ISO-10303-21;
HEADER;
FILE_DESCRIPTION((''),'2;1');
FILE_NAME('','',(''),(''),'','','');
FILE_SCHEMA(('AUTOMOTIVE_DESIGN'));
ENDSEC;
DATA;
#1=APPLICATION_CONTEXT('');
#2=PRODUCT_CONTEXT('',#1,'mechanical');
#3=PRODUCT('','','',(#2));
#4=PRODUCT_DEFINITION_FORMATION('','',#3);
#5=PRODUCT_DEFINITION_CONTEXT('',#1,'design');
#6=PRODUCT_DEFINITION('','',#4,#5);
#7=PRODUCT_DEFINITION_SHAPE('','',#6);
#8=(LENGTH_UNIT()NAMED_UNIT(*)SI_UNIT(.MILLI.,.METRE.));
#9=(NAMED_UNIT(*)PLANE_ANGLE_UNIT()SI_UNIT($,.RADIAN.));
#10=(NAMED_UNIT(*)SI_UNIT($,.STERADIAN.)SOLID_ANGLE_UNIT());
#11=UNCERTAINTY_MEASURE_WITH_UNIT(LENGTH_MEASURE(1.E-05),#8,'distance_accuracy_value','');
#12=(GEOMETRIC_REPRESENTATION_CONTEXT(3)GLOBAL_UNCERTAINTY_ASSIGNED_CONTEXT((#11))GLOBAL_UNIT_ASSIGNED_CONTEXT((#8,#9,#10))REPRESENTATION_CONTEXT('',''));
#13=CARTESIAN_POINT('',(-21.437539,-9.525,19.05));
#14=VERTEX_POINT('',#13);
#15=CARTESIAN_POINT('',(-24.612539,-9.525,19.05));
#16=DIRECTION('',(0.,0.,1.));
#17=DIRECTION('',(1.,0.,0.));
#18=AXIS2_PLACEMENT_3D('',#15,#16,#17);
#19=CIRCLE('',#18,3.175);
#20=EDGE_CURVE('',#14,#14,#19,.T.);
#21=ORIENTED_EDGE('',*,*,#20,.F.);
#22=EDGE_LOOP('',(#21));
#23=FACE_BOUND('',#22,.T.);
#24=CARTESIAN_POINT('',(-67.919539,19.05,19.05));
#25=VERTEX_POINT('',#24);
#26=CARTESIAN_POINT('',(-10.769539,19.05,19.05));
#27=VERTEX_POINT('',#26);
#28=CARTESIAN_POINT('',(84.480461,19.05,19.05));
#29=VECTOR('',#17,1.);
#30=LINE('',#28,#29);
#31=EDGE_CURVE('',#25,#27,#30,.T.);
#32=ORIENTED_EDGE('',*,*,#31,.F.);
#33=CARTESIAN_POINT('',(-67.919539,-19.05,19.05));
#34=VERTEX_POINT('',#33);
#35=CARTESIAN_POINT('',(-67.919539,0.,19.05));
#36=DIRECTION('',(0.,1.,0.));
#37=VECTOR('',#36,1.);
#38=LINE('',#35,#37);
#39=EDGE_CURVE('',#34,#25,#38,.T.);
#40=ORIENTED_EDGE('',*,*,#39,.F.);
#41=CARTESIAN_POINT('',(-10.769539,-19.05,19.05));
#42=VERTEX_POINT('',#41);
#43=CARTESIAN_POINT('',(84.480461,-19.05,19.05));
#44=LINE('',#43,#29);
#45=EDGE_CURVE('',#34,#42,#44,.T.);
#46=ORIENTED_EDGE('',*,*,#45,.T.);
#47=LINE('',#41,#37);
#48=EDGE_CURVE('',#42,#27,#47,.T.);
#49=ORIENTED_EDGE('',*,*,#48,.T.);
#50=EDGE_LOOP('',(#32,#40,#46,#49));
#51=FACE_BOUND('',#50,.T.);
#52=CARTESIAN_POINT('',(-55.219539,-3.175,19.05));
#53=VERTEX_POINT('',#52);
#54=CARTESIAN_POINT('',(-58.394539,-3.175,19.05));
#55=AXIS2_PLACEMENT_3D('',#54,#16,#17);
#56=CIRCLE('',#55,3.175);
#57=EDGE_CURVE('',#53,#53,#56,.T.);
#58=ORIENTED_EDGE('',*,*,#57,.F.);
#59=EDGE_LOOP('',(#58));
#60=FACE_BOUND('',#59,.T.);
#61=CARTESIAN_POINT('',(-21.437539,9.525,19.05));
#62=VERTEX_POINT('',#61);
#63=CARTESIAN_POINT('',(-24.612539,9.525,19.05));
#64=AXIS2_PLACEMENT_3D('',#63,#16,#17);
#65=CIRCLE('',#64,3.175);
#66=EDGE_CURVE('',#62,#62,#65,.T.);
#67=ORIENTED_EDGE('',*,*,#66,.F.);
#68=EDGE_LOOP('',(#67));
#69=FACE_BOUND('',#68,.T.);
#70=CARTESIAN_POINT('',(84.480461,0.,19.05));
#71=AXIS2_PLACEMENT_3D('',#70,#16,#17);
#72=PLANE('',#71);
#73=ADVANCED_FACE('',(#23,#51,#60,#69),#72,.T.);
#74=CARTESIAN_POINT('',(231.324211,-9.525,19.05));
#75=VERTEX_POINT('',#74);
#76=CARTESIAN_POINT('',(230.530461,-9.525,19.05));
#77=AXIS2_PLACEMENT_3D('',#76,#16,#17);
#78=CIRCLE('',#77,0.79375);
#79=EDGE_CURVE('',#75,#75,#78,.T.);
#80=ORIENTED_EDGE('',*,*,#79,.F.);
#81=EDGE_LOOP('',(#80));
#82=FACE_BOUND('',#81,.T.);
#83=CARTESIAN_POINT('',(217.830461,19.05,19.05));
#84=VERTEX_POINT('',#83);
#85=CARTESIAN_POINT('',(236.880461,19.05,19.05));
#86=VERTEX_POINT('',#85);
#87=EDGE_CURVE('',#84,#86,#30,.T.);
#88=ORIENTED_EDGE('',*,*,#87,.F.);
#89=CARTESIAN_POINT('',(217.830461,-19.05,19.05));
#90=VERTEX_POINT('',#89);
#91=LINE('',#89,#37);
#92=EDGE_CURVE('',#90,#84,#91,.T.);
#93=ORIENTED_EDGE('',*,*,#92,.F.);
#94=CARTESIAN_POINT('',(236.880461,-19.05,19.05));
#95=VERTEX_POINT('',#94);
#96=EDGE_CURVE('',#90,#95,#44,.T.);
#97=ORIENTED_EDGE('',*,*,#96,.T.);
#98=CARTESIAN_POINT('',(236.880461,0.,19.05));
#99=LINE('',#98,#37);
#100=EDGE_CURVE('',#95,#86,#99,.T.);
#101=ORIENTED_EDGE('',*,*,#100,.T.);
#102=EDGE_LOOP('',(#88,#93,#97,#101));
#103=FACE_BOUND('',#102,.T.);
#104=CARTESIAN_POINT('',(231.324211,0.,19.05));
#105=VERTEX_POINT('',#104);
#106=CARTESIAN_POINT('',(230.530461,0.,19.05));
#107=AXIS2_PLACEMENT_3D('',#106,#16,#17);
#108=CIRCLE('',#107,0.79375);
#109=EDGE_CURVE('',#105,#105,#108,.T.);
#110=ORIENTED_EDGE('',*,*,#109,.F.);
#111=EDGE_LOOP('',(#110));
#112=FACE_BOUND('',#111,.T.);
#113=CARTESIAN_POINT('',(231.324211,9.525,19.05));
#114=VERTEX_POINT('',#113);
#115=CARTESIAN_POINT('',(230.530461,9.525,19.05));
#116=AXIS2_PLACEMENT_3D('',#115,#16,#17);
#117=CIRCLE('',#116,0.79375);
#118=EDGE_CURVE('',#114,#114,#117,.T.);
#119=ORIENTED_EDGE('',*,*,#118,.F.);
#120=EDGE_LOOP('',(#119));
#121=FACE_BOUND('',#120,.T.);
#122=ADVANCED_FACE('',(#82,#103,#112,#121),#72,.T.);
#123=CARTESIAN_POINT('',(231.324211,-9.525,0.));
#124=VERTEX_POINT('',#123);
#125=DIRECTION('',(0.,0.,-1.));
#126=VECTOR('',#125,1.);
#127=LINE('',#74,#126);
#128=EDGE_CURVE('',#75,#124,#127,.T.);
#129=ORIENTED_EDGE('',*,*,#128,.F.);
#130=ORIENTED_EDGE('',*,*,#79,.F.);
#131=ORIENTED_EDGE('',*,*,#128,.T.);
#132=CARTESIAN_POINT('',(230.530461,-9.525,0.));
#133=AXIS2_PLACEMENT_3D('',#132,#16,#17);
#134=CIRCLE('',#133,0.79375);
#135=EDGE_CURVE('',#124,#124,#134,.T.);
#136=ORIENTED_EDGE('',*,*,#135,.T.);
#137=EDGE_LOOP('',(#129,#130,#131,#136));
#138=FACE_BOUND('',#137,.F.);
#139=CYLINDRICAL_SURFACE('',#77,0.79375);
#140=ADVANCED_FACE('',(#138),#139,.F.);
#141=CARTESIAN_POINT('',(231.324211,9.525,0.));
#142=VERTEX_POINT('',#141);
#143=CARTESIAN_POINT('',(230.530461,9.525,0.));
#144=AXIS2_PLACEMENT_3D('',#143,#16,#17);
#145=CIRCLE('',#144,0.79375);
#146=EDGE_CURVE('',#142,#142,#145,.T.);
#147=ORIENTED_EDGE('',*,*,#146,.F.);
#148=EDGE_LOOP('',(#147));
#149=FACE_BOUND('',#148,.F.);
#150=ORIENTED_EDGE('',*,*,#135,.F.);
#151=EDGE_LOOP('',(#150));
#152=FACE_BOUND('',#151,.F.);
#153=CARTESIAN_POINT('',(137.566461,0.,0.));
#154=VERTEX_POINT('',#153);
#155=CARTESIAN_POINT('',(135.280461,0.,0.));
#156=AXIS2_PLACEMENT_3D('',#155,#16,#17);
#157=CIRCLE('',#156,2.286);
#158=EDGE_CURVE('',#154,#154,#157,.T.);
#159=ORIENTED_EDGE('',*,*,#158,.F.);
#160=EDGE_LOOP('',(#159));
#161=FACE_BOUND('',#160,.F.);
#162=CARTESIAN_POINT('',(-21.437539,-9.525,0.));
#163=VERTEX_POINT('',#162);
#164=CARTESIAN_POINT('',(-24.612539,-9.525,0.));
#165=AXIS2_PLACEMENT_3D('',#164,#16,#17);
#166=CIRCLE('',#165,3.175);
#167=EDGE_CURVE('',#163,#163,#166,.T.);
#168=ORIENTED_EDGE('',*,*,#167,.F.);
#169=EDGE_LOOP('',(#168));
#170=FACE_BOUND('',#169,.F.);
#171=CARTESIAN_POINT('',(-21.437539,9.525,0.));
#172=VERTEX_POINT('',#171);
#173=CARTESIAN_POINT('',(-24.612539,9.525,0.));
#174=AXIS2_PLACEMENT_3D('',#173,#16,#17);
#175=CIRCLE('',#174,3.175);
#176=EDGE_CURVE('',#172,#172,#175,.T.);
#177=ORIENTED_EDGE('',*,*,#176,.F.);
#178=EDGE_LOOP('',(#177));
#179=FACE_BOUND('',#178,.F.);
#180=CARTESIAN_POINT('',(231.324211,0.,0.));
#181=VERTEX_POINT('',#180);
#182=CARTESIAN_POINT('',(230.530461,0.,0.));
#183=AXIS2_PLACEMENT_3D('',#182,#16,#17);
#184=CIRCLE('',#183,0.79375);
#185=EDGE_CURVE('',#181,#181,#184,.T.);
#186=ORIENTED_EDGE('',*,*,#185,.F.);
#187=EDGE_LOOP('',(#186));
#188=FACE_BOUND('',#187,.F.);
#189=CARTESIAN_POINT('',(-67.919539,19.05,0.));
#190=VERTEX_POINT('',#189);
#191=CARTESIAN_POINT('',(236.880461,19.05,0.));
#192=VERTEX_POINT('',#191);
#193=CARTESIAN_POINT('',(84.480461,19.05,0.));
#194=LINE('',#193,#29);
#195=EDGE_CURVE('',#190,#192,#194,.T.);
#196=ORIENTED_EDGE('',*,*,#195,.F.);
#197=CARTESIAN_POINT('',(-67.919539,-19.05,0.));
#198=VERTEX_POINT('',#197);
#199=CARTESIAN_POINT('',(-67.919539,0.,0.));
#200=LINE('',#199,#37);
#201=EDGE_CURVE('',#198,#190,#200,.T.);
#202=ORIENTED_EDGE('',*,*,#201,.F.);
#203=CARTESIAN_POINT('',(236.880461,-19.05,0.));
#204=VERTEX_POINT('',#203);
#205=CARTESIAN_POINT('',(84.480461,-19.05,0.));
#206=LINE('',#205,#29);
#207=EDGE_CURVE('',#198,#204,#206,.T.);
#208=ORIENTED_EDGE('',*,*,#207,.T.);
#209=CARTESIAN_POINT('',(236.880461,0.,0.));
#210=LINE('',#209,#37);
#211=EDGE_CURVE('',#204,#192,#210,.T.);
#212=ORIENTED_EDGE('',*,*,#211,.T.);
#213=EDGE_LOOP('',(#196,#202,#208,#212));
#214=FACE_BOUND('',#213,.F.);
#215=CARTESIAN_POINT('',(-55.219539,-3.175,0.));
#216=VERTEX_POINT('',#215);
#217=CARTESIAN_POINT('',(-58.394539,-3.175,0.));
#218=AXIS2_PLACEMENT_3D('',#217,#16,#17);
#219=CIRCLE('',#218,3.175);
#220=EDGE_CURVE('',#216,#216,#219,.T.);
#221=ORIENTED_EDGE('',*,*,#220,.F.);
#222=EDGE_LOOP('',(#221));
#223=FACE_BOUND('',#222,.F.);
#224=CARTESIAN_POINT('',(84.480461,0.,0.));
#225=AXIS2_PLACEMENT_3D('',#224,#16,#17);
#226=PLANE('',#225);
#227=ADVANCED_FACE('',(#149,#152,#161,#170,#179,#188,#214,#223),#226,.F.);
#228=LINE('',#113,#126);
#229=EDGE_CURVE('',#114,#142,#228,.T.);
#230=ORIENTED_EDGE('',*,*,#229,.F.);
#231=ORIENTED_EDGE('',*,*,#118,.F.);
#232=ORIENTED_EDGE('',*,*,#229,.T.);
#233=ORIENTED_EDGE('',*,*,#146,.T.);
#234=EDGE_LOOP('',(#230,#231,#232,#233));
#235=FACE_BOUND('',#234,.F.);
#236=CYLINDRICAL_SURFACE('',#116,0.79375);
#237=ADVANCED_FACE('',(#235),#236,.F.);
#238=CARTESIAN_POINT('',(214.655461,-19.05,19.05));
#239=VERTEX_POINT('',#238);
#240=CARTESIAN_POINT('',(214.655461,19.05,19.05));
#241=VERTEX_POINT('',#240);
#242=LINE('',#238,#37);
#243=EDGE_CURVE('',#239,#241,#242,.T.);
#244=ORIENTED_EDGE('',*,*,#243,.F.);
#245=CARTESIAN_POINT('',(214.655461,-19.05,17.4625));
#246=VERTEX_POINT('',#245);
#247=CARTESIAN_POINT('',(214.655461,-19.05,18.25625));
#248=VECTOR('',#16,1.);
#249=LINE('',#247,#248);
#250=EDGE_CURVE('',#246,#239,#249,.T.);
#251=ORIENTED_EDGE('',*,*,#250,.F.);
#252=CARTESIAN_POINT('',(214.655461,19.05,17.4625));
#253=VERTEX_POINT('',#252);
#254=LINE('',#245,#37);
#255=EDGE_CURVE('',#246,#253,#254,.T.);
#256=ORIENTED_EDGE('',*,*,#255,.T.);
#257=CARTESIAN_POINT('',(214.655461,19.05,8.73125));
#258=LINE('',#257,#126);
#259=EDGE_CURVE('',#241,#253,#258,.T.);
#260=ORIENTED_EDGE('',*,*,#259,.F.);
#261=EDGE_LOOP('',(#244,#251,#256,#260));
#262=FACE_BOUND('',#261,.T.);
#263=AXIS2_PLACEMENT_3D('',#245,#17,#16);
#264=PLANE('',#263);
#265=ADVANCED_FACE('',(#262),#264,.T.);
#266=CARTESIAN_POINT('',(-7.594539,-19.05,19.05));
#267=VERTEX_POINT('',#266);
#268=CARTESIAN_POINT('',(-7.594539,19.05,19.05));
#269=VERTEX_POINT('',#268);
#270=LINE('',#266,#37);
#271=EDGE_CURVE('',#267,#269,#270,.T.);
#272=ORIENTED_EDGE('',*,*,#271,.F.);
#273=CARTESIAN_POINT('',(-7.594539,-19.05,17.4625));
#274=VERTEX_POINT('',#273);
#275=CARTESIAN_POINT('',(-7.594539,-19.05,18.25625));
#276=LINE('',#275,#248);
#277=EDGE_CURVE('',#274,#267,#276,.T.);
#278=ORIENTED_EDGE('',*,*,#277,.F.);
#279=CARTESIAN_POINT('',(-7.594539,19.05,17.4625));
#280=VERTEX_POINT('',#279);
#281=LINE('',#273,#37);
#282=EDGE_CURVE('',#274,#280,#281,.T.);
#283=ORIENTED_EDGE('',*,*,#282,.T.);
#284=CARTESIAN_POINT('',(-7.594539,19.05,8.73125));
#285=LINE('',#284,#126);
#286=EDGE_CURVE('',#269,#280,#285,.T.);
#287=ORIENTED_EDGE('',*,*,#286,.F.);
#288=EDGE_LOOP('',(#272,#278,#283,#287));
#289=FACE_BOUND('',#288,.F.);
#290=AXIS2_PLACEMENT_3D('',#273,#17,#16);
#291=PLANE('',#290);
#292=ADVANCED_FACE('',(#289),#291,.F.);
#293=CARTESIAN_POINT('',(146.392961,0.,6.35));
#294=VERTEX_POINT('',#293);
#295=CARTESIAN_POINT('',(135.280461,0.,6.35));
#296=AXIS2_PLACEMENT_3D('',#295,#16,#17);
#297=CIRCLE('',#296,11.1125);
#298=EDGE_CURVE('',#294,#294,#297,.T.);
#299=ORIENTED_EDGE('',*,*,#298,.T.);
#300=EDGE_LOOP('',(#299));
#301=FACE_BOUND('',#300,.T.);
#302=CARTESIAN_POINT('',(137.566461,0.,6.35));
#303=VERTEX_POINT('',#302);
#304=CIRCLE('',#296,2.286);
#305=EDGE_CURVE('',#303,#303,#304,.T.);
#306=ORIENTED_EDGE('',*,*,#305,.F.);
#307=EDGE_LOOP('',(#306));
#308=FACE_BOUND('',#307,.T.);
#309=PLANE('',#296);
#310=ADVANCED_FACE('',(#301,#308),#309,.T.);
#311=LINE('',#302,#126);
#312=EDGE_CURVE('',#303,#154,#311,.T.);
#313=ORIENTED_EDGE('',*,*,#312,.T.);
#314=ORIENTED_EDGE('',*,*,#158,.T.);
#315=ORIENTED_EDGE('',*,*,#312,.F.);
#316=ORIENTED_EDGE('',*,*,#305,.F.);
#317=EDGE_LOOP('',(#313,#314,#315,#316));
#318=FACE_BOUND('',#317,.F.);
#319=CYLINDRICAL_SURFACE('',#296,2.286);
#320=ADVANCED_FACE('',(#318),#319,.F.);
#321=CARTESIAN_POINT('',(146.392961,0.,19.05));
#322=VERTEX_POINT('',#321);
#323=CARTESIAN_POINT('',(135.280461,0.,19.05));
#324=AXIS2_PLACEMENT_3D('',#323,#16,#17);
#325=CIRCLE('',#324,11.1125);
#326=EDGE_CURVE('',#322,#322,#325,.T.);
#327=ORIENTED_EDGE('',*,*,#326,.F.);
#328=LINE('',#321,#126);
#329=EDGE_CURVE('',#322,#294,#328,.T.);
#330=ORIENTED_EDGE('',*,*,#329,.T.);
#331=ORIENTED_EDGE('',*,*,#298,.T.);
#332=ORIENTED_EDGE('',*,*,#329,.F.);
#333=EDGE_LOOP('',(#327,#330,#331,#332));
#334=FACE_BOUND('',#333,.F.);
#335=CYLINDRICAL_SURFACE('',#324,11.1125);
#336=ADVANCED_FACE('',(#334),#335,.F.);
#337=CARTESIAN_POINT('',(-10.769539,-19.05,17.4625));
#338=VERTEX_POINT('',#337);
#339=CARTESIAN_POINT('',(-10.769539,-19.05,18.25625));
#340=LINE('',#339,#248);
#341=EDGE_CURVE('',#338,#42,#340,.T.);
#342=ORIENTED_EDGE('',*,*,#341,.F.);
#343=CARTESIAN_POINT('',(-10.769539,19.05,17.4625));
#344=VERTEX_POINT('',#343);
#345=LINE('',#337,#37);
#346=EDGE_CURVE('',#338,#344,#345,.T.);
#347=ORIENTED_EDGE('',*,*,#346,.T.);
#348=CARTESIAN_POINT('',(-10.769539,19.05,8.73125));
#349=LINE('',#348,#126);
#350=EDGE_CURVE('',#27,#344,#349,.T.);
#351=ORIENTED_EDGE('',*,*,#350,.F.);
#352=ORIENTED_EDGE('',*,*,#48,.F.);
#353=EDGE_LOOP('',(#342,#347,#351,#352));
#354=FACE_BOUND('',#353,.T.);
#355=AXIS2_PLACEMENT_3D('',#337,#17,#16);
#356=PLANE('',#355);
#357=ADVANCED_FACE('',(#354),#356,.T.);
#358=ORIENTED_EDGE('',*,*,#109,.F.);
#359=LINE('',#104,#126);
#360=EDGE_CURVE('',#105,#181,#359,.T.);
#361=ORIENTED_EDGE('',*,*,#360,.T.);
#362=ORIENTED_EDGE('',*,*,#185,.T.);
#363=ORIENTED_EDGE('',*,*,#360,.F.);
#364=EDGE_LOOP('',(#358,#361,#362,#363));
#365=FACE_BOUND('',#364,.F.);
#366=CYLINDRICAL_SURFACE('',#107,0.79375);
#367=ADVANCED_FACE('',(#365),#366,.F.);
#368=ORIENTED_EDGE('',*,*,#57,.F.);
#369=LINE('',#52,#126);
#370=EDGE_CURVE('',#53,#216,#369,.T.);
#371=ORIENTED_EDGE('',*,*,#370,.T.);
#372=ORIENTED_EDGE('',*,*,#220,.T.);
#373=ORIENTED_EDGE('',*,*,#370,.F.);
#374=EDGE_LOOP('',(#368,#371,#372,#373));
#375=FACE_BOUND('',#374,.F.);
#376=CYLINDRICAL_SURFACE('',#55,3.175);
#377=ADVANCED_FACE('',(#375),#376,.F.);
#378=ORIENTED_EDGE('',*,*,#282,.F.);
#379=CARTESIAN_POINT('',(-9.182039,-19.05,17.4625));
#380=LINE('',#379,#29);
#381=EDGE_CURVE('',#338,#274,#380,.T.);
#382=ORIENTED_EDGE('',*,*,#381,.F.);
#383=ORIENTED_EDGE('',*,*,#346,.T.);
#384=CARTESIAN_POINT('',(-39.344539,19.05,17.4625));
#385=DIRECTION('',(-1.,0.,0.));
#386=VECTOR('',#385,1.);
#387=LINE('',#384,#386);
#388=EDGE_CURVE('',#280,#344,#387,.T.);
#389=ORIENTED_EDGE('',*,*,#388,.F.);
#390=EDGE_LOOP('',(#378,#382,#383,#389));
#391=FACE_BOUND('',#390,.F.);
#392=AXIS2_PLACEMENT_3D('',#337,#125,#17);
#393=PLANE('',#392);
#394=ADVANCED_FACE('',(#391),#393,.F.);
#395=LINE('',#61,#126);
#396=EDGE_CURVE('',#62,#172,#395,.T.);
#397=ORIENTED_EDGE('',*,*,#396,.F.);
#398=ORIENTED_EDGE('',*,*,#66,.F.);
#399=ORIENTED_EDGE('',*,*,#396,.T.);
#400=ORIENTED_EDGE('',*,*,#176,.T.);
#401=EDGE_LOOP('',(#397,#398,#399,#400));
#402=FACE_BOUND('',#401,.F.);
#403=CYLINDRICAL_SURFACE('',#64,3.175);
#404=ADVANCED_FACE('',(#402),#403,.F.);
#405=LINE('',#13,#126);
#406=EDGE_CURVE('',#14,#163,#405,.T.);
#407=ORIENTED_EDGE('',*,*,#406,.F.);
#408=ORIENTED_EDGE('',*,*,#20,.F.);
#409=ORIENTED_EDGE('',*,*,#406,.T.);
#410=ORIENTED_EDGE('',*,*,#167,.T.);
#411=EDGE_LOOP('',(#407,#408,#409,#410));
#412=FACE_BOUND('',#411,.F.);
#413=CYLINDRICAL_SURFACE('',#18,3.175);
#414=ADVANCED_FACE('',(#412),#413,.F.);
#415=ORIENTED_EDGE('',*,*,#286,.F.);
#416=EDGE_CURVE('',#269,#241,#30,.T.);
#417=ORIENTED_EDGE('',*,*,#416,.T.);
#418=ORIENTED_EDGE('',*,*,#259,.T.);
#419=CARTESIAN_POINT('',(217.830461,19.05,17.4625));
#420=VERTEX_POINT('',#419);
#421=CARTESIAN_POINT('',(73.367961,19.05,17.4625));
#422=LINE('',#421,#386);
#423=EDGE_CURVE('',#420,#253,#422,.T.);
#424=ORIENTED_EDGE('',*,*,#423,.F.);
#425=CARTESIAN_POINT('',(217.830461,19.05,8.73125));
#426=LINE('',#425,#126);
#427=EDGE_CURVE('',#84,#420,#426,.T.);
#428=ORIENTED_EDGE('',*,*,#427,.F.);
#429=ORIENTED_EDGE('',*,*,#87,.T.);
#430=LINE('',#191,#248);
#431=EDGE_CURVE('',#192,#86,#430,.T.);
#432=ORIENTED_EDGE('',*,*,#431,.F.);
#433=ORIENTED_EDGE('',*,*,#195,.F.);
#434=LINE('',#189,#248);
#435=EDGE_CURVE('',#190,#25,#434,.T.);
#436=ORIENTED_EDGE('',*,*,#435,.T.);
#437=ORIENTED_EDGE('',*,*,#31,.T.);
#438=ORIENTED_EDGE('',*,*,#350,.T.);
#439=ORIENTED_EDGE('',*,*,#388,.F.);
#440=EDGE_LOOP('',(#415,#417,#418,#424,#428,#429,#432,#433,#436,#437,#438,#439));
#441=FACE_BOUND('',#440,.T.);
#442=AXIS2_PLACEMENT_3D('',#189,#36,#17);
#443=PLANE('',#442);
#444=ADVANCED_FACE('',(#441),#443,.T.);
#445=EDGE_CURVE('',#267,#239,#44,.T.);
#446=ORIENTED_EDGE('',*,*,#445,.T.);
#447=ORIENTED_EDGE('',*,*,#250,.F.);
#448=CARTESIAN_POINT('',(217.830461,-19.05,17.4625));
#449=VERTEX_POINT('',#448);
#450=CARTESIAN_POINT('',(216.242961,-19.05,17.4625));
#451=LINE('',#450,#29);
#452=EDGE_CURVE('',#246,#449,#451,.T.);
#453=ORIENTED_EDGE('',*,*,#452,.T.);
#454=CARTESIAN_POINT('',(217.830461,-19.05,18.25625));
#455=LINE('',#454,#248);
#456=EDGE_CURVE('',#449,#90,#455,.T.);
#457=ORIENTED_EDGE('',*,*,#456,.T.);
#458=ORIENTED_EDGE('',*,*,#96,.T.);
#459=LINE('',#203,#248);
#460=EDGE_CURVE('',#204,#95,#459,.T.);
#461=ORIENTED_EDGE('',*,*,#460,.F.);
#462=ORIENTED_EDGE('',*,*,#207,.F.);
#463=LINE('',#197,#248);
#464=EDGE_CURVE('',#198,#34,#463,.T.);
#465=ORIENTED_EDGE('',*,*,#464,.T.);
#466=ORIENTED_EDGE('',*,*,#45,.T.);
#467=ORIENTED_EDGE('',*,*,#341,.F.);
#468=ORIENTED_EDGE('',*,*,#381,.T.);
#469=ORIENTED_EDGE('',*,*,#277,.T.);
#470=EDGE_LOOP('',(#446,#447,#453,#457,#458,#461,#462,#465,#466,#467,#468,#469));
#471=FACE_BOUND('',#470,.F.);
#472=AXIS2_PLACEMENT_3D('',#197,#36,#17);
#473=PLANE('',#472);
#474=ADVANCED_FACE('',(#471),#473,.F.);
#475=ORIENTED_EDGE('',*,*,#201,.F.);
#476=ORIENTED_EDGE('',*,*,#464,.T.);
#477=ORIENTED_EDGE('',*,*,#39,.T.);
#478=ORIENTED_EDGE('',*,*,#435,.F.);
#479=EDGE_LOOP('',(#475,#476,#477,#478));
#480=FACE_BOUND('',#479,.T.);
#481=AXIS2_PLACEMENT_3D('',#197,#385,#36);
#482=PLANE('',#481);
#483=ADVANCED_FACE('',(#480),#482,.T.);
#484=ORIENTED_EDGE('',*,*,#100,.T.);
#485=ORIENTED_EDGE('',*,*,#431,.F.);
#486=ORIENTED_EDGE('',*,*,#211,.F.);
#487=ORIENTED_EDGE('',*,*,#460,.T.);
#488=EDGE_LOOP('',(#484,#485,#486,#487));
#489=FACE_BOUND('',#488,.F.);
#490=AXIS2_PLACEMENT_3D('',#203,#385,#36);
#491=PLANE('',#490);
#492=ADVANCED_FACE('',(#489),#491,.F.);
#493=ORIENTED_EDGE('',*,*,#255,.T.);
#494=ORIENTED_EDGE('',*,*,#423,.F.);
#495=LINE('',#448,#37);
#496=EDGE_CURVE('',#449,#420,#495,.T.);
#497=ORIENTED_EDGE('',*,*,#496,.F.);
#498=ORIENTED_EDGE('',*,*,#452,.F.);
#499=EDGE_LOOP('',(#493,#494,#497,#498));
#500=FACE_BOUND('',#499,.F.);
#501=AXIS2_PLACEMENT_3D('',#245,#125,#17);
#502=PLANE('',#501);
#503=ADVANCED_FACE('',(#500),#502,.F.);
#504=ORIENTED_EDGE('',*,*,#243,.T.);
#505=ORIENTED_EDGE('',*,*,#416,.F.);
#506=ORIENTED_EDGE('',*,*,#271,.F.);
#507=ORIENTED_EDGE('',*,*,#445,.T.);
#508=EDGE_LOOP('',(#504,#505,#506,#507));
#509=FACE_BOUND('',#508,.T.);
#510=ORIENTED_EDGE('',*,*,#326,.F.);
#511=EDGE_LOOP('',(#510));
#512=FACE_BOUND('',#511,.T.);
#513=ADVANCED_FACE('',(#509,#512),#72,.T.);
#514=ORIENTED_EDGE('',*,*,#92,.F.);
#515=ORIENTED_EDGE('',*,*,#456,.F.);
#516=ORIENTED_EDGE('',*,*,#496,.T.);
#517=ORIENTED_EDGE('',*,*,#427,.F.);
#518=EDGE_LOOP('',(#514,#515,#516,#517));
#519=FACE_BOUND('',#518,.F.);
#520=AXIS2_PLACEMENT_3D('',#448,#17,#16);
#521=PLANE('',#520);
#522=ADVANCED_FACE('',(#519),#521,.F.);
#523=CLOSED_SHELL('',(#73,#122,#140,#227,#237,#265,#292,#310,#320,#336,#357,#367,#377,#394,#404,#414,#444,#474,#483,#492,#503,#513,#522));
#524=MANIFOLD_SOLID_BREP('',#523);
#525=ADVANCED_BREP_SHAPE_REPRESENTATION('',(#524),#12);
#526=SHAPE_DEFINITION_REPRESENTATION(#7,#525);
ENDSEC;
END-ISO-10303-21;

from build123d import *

# Parameters (mm, degrees)
F0_W      = 304.8
F0_H      = 38.1
F1_DEPTH  = 19.05
F2_R      = 11.1125
F3_DEPTH  = 12.7
F4_R      = 3.175
F5_DEPTH  = 19.051
F6_R      = 3.175
F7_DEPTH  = 19.051
F8_R      = 0.79375
F9_DEPTH  = 19.051
F10_W     = 3.175
F10_H     = 1.5875
F11_DEPTH = 38.101
F12_R     = 2.286
F13_DEPTH = 6.35


with BuildPart() as f1:
    # F0 (on Top) → F1 (new body)
    with BuildSketch(Plane.XY):
        with Locations((84.480461, 0)):
            Rectangle(F0_W, F0_H)
    extrude(amount=F1_DEPTH)

    # F2 (on face) → F3 (cut)
    with BuildSketch(Plane.XY.offset(19.05)):
        with Locations((135.280461, 0)):
            Circle(F2_R)
    extrude(amount=-F3_DEPTH, mode=Mode.SUBTRACT)

    # F4 (on face) → F5 (cut, through all)
    with BuildSketch(Plane.XY.offset(19.05)):
        with Locations((-58.394539, -3.175)):
            Circle(F4_R)
    extrude(amount=-F5_DEPTH, mode=Mode.SUBTRACT)

    # F6 (on face) → F7 (cut, through all)
    with BuildSketch(Plane.XY.offset(19.05)):
        with Locations((-24.612539, -9.525)):
            Circle(F6_R)
        with Locations((-24.612539, 9.525)):
            Circle(F6_R)
    extrude(amount=-F7_DEPTH, mode=Mode.SUBTRACT)

    # F8 (on face) → F9 (cut, through all)
    with BuildSketch(Plane.XY.offset(19.05)):
        with Locations((230.530461, 9.525)):
            Circle(F8_R)
        with Locations((230.530461, 0)):
            Circle(F8_R)
        with Locations((230.530461, -9.525)):
            Circle(F8_R)
    extrude(amount=-F9_DEPTH, mode=Mode.SUBTRACT)

    # F10 (on face) → F11 (cut, through all)
    with BuildSketch(Plane.XZ.offset(19.05)):
        with Locations((-9.182039, 18.25625)):
            Rectangle(F10_W, F10_H)
        with Locations((216.242961, 18.25625)):
            Rectangle(F10_W, F10_H)
    extrude(amount=-F11_DEPTH, mode=Mode.SUBTRACT)

    # F12 (on face) → F13 (cut, through all)
    with BuildSketch(Plane.XY.offset(6.35)):
        with Locations((135.280461, 0)):
            Circle(F12_R)
    extrude(amount=-F13_DEPTH, mode=Mode.SUBTRACT)


solid = f1.part
